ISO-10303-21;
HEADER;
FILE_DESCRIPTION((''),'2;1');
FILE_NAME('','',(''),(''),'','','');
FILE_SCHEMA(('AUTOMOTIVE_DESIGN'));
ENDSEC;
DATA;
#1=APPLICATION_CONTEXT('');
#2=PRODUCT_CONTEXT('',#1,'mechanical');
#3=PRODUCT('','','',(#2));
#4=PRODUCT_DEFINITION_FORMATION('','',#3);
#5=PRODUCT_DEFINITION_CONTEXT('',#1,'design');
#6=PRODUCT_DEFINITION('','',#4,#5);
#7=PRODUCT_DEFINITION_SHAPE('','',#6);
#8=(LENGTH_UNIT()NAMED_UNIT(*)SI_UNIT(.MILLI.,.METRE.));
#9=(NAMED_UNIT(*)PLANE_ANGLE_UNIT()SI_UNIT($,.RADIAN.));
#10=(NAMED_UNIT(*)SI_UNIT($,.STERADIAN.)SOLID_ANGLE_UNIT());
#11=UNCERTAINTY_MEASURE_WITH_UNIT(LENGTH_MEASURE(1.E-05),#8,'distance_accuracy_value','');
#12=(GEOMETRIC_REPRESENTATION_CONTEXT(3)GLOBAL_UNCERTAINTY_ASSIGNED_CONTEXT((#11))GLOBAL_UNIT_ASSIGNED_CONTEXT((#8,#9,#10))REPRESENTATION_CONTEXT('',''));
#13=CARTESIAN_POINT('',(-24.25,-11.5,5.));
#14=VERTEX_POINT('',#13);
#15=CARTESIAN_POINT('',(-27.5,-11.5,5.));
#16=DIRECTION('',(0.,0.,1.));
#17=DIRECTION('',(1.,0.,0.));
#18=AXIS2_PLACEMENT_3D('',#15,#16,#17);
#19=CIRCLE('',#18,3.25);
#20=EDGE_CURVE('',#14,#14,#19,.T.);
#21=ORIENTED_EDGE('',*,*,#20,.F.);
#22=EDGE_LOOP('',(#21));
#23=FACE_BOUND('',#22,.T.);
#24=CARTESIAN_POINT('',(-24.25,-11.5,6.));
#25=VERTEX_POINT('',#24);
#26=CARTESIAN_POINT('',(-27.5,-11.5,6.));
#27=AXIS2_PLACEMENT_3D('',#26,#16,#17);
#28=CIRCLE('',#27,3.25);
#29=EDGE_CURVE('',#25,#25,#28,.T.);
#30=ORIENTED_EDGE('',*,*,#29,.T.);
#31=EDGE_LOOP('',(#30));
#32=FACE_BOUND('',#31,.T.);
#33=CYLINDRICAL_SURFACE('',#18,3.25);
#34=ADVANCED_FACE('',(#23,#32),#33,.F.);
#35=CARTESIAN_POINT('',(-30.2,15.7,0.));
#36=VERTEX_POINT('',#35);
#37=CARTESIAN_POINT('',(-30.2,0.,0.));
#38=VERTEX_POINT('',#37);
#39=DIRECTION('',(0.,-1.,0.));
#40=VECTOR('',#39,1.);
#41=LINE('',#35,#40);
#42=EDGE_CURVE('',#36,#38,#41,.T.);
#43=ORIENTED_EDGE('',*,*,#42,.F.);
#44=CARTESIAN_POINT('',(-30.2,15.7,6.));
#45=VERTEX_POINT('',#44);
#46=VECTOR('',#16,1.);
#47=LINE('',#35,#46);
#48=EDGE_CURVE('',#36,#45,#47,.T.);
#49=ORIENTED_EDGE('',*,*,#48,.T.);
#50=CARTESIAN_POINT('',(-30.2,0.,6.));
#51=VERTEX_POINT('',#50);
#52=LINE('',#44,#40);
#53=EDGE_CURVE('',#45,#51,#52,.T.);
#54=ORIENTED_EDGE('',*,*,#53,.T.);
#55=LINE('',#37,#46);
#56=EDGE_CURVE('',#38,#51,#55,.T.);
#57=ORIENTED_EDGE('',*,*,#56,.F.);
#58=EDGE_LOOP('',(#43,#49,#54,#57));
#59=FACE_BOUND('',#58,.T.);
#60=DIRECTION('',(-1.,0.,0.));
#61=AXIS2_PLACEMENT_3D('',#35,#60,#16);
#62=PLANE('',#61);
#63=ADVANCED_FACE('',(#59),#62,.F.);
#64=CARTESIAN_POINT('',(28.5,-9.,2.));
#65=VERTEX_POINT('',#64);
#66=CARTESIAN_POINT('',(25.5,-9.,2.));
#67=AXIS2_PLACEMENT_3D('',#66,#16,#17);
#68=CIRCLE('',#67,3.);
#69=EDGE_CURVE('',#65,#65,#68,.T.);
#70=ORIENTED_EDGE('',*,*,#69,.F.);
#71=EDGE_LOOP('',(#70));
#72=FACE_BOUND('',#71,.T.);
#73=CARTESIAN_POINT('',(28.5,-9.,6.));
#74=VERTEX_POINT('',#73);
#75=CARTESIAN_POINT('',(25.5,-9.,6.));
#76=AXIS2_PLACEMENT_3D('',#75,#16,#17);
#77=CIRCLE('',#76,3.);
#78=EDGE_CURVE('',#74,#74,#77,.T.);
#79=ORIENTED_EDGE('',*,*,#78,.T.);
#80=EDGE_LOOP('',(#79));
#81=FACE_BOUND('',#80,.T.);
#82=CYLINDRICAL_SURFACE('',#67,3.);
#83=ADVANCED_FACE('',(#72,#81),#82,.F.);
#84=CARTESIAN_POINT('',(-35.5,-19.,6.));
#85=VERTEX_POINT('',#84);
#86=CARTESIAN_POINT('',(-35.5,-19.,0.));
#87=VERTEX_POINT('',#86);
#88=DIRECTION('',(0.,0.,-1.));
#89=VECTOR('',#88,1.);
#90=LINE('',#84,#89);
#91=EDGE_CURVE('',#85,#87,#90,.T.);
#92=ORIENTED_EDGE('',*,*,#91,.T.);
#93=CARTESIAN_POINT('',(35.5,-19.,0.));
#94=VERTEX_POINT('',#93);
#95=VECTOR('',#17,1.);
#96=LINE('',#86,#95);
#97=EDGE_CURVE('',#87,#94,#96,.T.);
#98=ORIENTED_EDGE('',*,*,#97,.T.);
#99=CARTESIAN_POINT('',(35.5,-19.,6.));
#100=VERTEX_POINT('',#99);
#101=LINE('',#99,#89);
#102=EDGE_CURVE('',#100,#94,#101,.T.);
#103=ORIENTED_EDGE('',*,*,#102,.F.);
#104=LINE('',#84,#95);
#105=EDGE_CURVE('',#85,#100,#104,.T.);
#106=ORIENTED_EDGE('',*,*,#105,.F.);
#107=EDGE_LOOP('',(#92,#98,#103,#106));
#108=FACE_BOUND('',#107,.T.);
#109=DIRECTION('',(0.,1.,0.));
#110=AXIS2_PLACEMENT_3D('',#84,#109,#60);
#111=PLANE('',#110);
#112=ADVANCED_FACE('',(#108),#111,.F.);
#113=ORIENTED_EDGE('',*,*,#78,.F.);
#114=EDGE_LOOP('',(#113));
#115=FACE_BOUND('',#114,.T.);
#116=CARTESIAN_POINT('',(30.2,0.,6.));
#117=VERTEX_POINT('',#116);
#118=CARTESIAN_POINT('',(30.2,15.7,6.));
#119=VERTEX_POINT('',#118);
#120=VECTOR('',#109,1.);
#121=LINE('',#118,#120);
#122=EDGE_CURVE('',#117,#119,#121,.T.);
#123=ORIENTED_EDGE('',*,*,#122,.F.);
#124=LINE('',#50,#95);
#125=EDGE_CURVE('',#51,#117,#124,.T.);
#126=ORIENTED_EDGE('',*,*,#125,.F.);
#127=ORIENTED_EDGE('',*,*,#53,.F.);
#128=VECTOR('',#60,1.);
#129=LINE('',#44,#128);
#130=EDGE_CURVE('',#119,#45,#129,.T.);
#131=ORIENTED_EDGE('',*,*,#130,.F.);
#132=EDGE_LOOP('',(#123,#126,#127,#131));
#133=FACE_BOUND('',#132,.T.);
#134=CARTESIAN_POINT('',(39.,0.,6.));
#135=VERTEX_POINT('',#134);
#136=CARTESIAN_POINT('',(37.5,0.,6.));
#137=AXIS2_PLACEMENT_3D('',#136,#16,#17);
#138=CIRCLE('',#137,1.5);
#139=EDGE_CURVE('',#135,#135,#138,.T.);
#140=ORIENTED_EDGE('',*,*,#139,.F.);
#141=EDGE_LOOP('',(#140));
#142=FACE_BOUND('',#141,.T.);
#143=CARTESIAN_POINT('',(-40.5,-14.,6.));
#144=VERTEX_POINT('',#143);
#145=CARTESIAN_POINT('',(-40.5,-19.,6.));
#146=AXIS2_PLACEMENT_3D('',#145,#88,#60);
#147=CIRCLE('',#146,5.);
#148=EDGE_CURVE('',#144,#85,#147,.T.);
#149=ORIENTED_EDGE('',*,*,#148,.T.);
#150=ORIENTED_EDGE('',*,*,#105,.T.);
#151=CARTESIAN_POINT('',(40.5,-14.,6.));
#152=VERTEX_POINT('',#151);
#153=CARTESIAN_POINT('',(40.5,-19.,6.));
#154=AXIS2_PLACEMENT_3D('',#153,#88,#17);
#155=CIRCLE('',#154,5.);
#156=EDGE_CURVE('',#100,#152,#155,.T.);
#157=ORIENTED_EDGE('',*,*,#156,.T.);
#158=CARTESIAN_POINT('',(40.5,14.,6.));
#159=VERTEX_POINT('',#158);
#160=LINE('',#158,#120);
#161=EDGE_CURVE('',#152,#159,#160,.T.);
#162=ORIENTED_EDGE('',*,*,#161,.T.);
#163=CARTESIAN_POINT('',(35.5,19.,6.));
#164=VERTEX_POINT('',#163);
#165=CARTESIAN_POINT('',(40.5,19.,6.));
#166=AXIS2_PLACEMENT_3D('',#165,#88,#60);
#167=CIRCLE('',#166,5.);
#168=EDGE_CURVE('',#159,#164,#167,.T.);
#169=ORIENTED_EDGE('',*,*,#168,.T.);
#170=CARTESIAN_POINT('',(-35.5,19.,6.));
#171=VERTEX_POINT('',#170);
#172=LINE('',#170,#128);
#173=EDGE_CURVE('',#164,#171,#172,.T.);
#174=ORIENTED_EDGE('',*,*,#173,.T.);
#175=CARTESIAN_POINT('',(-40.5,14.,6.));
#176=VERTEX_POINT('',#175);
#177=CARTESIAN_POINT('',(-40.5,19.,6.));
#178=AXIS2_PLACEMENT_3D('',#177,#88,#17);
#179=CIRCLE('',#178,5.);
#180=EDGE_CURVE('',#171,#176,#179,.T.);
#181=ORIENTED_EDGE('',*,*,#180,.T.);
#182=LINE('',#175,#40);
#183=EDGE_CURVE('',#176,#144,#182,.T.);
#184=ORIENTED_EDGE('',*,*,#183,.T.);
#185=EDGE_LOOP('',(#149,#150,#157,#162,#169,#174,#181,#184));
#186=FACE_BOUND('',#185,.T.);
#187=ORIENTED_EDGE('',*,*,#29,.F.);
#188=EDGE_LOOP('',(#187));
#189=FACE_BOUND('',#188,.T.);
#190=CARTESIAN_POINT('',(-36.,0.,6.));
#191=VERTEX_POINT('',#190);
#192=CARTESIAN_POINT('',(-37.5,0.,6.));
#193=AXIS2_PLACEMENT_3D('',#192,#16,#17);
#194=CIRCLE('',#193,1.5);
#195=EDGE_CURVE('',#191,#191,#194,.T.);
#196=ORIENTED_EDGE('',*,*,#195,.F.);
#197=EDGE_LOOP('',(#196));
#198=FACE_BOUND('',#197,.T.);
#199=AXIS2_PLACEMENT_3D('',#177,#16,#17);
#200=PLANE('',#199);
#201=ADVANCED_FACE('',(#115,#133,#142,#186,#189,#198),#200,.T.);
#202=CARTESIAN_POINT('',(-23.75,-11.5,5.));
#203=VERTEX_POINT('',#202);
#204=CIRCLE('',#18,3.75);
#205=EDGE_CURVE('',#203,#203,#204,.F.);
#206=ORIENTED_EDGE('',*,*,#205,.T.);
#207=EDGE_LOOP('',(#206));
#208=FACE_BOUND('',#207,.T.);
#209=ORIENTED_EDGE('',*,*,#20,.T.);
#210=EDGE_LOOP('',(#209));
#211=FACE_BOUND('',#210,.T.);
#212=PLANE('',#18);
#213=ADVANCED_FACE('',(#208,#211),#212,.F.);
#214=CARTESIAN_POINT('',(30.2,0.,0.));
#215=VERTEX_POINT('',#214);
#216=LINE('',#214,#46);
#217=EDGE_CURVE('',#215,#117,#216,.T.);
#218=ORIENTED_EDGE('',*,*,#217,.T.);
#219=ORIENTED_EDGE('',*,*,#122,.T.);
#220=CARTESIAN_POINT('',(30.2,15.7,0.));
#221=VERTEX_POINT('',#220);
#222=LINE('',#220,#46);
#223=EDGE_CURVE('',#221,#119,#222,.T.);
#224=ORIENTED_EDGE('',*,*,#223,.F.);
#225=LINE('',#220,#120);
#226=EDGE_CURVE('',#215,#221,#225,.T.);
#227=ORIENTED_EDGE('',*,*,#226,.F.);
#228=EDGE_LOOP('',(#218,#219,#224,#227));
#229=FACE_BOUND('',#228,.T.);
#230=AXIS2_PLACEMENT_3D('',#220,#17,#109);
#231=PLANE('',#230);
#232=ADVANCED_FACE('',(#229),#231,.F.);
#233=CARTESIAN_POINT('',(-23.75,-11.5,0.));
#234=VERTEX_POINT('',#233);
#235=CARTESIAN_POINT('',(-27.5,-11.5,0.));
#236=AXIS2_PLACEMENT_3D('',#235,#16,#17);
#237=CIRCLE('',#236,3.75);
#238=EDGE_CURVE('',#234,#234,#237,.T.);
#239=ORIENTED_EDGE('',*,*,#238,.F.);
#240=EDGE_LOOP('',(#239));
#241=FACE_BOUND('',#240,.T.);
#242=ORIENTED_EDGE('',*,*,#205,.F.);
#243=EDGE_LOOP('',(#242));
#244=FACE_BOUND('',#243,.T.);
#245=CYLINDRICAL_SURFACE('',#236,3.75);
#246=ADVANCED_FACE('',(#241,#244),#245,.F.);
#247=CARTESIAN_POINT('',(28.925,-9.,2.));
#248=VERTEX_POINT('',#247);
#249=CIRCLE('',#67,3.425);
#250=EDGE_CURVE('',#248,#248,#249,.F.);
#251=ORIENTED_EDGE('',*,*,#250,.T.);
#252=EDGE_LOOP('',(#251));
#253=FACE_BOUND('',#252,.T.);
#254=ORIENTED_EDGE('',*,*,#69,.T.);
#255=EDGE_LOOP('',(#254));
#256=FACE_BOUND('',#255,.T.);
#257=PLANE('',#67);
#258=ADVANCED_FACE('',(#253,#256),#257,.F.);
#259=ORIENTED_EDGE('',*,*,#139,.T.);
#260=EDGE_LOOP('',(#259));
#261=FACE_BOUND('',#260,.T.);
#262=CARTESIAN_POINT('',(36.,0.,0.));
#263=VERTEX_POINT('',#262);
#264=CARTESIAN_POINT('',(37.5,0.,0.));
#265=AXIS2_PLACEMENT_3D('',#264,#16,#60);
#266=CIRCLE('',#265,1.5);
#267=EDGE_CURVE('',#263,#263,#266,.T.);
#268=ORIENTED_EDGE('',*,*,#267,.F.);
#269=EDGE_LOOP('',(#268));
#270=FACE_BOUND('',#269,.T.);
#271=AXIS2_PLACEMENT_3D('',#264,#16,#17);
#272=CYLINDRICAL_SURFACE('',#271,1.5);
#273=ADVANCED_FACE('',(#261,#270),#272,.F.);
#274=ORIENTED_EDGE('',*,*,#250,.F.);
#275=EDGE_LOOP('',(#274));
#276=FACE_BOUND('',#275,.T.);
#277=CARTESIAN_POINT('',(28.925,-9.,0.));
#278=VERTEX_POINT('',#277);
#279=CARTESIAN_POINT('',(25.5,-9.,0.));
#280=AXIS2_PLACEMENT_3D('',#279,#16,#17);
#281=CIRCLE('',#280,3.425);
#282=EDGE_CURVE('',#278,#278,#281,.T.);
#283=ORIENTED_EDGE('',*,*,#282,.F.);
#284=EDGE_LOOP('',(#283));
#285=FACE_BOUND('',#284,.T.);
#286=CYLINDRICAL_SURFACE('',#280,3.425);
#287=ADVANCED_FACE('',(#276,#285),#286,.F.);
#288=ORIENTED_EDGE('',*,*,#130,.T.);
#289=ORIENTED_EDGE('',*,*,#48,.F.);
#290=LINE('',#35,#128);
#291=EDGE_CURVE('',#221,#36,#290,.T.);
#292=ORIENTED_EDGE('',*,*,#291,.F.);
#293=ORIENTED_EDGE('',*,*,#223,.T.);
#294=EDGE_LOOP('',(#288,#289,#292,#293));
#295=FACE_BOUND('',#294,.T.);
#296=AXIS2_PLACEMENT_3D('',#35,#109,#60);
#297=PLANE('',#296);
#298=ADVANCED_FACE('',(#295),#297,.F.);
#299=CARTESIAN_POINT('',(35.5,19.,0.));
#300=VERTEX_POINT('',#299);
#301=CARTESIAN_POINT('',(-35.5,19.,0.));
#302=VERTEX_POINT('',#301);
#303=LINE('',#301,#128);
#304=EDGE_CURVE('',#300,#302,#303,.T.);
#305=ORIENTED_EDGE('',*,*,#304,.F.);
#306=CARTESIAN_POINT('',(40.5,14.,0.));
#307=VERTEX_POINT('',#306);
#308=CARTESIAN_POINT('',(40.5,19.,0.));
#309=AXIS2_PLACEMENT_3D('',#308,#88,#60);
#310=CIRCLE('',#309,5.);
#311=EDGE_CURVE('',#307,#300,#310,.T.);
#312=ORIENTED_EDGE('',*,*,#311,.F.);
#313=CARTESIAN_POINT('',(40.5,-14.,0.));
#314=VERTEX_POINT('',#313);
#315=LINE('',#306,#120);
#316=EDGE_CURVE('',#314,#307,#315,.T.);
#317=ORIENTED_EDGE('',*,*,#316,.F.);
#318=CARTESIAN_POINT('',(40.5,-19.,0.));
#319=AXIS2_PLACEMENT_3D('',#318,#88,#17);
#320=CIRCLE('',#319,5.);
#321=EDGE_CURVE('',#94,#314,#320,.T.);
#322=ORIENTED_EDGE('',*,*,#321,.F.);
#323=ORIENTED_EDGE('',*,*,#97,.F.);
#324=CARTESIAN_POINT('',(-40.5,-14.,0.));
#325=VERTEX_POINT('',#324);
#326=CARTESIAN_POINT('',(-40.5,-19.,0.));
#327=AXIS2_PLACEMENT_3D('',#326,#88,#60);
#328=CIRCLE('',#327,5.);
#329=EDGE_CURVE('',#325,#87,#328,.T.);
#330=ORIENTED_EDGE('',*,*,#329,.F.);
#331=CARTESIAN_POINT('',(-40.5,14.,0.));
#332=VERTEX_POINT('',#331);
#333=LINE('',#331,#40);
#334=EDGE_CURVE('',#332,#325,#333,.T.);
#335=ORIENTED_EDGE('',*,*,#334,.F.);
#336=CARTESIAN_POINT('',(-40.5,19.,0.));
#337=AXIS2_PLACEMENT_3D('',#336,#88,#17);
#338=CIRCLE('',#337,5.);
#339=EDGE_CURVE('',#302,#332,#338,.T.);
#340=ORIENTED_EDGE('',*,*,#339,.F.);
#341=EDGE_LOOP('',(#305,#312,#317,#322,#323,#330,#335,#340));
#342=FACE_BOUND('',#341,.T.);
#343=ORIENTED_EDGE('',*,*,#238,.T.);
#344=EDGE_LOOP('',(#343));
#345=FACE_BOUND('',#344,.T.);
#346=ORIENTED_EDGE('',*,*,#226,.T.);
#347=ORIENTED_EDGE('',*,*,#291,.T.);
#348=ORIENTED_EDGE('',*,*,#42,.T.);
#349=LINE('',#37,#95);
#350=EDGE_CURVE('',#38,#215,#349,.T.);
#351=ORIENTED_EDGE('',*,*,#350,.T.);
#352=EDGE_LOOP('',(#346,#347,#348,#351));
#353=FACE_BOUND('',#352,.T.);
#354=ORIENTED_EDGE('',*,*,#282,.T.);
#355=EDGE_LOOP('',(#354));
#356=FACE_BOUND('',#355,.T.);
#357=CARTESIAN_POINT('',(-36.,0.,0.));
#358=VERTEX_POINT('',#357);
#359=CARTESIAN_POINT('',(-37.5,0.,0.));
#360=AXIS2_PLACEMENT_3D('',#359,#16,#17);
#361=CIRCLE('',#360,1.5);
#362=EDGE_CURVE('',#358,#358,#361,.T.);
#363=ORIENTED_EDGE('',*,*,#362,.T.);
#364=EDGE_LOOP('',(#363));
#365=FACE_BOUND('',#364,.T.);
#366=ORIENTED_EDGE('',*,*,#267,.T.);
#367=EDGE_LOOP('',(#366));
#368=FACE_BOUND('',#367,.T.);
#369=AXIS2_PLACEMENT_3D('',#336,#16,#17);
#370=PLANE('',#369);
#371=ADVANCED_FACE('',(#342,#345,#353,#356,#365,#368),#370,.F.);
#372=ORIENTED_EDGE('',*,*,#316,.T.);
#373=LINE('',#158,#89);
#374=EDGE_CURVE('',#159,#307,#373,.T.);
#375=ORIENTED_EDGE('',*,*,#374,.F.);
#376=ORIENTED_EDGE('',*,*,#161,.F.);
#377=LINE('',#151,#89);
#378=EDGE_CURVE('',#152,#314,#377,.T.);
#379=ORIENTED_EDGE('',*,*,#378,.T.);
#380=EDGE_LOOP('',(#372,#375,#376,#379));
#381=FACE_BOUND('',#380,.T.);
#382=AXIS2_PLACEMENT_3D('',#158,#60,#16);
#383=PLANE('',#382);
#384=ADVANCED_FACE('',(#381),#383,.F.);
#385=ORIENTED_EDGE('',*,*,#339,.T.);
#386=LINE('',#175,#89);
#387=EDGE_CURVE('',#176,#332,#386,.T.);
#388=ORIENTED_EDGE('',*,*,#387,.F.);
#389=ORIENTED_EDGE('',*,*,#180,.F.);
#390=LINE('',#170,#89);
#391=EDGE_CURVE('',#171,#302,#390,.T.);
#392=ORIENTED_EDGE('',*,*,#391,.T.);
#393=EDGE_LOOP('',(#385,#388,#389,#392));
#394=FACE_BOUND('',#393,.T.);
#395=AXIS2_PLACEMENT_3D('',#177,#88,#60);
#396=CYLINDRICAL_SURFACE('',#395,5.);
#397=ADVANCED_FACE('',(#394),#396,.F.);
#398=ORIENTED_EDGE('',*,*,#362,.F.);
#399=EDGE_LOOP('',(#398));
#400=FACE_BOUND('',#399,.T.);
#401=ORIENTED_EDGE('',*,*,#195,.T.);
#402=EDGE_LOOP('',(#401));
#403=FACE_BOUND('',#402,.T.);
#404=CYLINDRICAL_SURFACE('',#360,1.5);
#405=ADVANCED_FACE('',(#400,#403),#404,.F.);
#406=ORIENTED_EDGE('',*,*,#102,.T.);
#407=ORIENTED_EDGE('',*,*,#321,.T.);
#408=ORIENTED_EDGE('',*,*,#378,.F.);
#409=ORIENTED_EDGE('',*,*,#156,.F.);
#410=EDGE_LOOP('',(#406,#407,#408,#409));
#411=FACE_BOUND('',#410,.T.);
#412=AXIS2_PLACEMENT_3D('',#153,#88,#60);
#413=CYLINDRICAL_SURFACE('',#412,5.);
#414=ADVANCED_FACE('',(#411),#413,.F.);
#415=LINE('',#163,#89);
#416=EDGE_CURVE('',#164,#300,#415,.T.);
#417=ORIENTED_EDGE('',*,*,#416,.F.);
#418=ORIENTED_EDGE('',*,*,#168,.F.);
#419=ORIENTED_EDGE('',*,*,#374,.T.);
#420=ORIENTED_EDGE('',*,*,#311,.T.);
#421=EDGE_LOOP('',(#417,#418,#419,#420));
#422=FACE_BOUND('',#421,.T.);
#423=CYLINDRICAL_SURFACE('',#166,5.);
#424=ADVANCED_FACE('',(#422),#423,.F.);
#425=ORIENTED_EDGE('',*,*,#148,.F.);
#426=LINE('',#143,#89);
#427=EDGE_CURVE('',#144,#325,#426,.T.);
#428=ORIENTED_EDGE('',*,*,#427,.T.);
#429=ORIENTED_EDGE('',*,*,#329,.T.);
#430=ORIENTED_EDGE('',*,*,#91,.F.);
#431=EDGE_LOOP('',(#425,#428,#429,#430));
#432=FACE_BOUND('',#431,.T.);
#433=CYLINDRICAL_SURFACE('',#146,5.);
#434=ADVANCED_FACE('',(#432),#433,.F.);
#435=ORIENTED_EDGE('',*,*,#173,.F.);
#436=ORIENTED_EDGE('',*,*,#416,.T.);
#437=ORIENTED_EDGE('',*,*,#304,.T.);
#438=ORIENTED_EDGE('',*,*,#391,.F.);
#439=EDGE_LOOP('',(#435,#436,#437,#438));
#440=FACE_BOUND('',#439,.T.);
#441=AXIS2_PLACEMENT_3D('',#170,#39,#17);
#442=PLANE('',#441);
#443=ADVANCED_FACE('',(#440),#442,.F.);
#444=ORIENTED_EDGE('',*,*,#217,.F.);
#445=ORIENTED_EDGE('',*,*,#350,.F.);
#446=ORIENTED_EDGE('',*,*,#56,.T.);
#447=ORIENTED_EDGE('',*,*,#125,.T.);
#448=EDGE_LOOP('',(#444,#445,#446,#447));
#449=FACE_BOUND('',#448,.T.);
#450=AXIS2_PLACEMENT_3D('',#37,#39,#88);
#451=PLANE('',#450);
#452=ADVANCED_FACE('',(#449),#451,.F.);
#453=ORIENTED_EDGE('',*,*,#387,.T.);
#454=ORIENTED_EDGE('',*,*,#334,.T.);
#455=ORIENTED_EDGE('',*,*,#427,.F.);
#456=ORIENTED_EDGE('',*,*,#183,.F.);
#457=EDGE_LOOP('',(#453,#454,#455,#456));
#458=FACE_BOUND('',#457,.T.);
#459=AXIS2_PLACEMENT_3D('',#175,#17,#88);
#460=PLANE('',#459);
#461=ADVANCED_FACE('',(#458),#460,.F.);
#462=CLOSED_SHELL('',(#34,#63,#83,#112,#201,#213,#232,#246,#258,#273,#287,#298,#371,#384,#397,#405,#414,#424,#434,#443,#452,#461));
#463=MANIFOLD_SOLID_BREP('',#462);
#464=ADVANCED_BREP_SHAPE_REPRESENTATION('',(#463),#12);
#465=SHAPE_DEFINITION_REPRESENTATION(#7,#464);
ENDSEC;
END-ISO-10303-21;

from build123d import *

# Parameters (mm, degrees)
BASE_DEPTH                        = 6
SKETCH2_R                         = 1.5
SCREWS_CUT_DEPTH                  = 1
SCREWS_CUT_DEPTH_BACK             = 7
SKETCH4_W                         = 60.4
SKETCH4_H                         = 15.7
LCD_CUT_DEPTH                     = 1
LCD_CUT_DEPTH_BACK                = 7
SKETCH5_R                         = 3.75
TESTBUTTON_BIG_CUT_DEPTH          = 1
TESTBUTTON_BIG_CUT_DEPTH_BACK     = 7
SKETCH6_R                         = 4
SKETCH6_R_2                       = 3.25
TESTBUTTON_PIECE_MAINTAINER_DEPTH = 1
SKETCH7_R                         = 3.425
BRIGHTNESS_CUT_DEPTH              = 1
BRIGHTNESS_CUT_DEPTH_BACK         = 7
SKETCH8_R                         = 3.5
SKETCH8_R_2                       = 3
BRIGHTNESS_BACK_CUT_DEPTH         = 4


with BuildPart() as part:
    # Sketch1 → Base (new body)
    with BuildSketch(Plane.XY):
        with BuildLine():
            Line((-35.5, 19), (35.5, 19))
            ThreePointArc((35.5, 19), (36.964466094, 15.464466094), (40.5, 14))
            Line((40.5, 14), (40.5, -14))
            ThreePointArc((40.5, -14), (36.964466094, -15.464466094), (35.5, -19))
            Line((35.5, -19), (-35.5, -19))
            ThreePointArc((-35.5, -19), (-36.964466094, -15.464466094), (-40.5, -14))
            Line((-40.5, -14), (-40.5, 14))
            ThreePointArc((-40.5, 14), (-36.964466094, 15.464466094), (-35.5, 19))
        make_face()
    extrude(amount=BASE_DEPTH)

    # Sketch2 → Screws Cut (cut, two sides)
    with BuildSketch(Plane.XY.offset(6)) as screws_cut_sk:
        with Locations((-37.5, 0)):
            Circle(SKETCH2_R)
        with Locations((37.5, 0)):
            Circle(SKETCH2_R)
    extrude(amount=SCREWS_CUT_DEPTH, mode=Mode.SUBTRACT)
    extrude(screws_cut_sk.sketch, amount=-SCREWS_CUT_DEPTH_BACK, mode=Mode.SUBTRACT)

    # Sketch4 → LCD Cut (cut, two sides)
    with BuildSketch(Plane.XY.offset(6)) as lcd_cut_sk:
        with Locations((0, 7.85)):
            Rectangle(SKETCH4_W, SKETCH4_H)
    extrude(amount=LCD_CUT_DEPTH, mode=Mode.SUBTRACT)
    extrude(lcd_cut_sk.sketch, amount=-LCD_CUT_DEPTH_BACK, mode=Mode.SUBTRACT)

    # Sketch5 → TestButton Big Cut (cut, two sides)
    with BuildSketch(Plane.XY.offset(6)) as testbutton_big_cut_sk:
        with Locations((-27.5, -11.5)):
            Circle(SKETCH5_R)
    extrude(amount=TESTBUTTON_BIG_CUT_DEPTH, mode=Mode.SUBTRACT)
    extrude(testbutton_big_cut_sk.sketch, amount=-TESTBUTTON_BIG_CUT_DEPTH_BACK, mode=Mode.SUBTRACT)

    # Sketch6 → TestButton Piece Maintainer (add)
    with BuildSketch(Plane.XY.offset(6)):
        with Locations((-27.5, -11.5)):
            Circle(SKETCH6_R)
        with Locations((-27.5, -11.5)):
            Circle(SKETCH6_R_2, mode=Mode.SUBTRACT)
    extrude(amount=-TESTBUTTON_PIECE_MAINTAINER_DEPTH)

    # Sketch7 → Brightness Cut (cut, two sides)
    with BuildSketch(Plane.XY.offset(6)) as brightness_cut_sk:
        with Locations((25.5, -9)):
            Circle(SKETCH7_R)
    extrude(amount=BRIGHTNESS_CUT_DEPTH, mode=Mode.SUBTRACT)
    extrude(brightness_cut_sk.sketch, amount=-BRIGHTNESS_CUT_DEPTH_BACK, mode=Mode.SUBTRACT)

    # Sketch8 → Brightness Back Cut (add)
    with BuildSketch(Plane.XY.offset(6)):
        with Locations((25.5, -9)):
            Circle(SKETCH8_R)
        with Locations((25.5, -9)):
            Circle(SKETCH8_R_2, mode=Mode.SUBTRACT)
    extrude(amount=-BRIGHTNESS_BACK_CUT_DEPTH)


solid = part.part
